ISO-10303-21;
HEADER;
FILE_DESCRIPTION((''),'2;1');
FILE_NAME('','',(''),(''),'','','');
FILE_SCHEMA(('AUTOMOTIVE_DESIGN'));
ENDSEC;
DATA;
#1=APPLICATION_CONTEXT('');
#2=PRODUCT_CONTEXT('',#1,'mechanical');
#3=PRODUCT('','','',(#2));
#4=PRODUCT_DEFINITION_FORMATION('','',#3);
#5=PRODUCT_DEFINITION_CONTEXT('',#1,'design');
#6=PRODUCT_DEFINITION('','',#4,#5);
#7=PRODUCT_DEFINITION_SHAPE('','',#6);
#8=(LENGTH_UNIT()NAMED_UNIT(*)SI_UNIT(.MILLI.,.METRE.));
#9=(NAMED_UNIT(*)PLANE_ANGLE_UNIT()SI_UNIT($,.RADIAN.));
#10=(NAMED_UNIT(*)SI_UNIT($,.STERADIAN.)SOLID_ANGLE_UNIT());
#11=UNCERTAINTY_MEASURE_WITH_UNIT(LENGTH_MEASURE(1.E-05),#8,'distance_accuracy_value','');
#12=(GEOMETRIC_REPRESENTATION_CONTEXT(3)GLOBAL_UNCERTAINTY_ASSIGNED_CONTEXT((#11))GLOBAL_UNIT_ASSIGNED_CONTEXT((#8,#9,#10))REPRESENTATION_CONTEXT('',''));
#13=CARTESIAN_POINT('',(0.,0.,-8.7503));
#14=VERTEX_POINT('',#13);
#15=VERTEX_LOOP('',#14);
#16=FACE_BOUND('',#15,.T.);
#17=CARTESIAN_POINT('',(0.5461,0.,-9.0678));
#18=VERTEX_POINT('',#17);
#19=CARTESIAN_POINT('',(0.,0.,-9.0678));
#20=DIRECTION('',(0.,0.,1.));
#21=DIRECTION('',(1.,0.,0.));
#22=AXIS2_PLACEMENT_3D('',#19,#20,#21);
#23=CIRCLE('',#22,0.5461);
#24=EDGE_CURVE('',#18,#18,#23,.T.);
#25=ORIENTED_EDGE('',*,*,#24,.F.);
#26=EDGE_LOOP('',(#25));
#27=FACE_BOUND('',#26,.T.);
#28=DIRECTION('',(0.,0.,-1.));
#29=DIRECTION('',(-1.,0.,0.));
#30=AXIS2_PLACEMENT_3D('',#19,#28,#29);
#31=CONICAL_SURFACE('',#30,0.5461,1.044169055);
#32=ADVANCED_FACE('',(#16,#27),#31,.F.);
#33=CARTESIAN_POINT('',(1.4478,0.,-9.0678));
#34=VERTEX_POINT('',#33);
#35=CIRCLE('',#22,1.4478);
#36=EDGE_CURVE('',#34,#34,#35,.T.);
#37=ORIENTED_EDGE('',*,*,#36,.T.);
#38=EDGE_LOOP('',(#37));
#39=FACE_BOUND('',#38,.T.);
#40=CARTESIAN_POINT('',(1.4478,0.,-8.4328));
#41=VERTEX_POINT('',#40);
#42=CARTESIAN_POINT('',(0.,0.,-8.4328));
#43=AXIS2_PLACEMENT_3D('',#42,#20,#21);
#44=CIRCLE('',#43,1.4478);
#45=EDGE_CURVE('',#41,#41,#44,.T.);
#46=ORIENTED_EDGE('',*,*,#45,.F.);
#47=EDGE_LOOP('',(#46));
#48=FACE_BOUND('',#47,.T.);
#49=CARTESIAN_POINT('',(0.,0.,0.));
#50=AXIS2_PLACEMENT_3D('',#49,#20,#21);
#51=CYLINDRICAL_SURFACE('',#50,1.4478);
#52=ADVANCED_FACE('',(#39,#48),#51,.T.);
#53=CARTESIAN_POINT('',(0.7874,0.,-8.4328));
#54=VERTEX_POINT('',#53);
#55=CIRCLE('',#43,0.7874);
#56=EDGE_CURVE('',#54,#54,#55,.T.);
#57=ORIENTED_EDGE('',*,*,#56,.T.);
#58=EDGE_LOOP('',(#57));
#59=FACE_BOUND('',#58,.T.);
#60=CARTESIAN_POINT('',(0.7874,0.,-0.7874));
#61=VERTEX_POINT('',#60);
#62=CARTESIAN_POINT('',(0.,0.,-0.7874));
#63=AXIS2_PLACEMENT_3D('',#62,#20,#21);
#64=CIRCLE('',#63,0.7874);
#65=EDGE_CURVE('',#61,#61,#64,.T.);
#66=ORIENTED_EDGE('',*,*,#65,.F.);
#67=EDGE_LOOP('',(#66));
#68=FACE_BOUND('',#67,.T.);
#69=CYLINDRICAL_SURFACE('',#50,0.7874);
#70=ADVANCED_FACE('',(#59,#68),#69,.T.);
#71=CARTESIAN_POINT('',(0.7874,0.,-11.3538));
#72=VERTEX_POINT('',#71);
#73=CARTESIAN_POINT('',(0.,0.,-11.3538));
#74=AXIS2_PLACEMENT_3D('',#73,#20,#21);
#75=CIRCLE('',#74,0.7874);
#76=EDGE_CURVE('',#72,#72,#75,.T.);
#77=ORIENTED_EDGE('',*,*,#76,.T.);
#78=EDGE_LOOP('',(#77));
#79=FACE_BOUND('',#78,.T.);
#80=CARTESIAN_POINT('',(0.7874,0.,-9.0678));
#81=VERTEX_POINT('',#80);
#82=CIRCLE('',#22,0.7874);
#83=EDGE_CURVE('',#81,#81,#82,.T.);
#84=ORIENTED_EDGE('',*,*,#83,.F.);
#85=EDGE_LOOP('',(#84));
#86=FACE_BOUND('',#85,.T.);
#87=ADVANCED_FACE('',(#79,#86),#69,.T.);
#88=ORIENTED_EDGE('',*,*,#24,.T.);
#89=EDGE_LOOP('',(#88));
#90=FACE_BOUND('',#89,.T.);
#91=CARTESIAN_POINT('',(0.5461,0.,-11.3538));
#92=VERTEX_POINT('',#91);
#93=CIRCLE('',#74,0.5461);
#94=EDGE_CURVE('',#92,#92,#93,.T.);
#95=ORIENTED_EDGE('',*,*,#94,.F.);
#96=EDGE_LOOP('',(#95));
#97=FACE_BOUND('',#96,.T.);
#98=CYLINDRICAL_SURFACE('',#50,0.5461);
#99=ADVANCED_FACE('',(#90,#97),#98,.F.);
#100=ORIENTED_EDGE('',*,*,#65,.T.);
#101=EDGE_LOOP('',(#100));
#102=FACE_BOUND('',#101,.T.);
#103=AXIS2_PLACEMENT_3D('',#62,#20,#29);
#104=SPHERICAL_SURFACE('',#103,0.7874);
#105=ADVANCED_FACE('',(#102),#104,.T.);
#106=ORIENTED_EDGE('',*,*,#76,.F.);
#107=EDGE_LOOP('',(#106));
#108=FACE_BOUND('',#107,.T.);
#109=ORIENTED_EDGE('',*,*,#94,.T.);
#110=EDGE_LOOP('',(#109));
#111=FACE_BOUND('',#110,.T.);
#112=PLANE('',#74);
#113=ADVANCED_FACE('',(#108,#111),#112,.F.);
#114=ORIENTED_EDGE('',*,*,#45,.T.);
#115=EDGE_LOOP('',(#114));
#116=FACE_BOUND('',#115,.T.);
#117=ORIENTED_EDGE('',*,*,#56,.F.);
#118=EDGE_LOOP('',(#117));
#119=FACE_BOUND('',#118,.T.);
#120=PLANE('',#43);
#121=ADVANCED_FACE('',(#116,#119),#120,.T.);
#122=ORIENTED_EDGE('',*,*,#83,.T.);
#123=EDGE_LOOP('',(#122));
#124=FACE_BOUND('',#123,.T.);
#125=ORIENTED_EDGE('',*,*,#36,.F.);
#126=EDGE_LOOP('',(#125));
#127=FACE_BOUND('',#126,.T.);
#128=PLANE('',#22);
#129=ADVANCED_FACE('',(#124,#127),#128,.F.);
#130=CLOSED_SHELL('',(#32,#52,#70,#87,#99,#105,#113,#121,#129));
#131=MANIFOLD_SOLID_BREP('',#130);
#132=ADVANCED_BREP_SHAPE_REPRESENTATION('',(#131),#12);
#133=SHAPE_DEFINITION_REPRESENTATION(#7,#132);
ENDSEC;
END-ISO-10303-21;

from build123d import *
from build123d.topology import SkipClean

# Parameters (mm, degrees)
SKETCH1_W = 0.2413
SKETCH1_H = 2.286


with BuildPart() as part:
    # Sketch1 → Revolve1 (revolve)
    with SkipClean():  # the faces are left unmerged after this step: merging them gives an invalid solid
        with BuildSketch(Plane(origin=(0, 0, 0), x_dir=(1, 0, 0), z_dir=(0, 1, 0))):
            with BuildLine():
                ThreePointArc((0.7874, 0.7874), (0.55677588, 1.34417588), (0, 1.5748))
                Line((0, 1.5748), (0, 0))
                ThreePointArc((0, 0), (0.55677588, 0.23062412), (0.7874, 0.7874))
            make_face()
            with BuildLine():
                Line((0, 0), (0, 1.5748))
                ThreePointArc((0, 1.5748), (-0.7874, 0.7874), (0, 0))
            make_face()
            with BuildLine():
                Line((0.7874, 8.4328), (0, 8.4328))
                Line((0, 8.4328), (0, 1.5748))
                ThreePointArc((0, 1.5748), (0.55677588, 1.34417588), (0.7874, 0.7874))
                Line((0.7874, 0.7874), (0.7874, 8.4328))
            make_face()
            Polygon((0.7874, 9.0678), (0.5461, 9.0678), (0, 8.7503), (0, 8.4328), (0.7874, 8.4328), (1.4478, 8.4328), (1.4478, 9.0678), align=None)
            with Locations((0.66675, 10.2108)):
                Rectangle(SKETCH1_W, SKETCH1_H)
        revolve(axis=Axis((0, 0, 0), (0, 0, -1)))


solid = part.part
